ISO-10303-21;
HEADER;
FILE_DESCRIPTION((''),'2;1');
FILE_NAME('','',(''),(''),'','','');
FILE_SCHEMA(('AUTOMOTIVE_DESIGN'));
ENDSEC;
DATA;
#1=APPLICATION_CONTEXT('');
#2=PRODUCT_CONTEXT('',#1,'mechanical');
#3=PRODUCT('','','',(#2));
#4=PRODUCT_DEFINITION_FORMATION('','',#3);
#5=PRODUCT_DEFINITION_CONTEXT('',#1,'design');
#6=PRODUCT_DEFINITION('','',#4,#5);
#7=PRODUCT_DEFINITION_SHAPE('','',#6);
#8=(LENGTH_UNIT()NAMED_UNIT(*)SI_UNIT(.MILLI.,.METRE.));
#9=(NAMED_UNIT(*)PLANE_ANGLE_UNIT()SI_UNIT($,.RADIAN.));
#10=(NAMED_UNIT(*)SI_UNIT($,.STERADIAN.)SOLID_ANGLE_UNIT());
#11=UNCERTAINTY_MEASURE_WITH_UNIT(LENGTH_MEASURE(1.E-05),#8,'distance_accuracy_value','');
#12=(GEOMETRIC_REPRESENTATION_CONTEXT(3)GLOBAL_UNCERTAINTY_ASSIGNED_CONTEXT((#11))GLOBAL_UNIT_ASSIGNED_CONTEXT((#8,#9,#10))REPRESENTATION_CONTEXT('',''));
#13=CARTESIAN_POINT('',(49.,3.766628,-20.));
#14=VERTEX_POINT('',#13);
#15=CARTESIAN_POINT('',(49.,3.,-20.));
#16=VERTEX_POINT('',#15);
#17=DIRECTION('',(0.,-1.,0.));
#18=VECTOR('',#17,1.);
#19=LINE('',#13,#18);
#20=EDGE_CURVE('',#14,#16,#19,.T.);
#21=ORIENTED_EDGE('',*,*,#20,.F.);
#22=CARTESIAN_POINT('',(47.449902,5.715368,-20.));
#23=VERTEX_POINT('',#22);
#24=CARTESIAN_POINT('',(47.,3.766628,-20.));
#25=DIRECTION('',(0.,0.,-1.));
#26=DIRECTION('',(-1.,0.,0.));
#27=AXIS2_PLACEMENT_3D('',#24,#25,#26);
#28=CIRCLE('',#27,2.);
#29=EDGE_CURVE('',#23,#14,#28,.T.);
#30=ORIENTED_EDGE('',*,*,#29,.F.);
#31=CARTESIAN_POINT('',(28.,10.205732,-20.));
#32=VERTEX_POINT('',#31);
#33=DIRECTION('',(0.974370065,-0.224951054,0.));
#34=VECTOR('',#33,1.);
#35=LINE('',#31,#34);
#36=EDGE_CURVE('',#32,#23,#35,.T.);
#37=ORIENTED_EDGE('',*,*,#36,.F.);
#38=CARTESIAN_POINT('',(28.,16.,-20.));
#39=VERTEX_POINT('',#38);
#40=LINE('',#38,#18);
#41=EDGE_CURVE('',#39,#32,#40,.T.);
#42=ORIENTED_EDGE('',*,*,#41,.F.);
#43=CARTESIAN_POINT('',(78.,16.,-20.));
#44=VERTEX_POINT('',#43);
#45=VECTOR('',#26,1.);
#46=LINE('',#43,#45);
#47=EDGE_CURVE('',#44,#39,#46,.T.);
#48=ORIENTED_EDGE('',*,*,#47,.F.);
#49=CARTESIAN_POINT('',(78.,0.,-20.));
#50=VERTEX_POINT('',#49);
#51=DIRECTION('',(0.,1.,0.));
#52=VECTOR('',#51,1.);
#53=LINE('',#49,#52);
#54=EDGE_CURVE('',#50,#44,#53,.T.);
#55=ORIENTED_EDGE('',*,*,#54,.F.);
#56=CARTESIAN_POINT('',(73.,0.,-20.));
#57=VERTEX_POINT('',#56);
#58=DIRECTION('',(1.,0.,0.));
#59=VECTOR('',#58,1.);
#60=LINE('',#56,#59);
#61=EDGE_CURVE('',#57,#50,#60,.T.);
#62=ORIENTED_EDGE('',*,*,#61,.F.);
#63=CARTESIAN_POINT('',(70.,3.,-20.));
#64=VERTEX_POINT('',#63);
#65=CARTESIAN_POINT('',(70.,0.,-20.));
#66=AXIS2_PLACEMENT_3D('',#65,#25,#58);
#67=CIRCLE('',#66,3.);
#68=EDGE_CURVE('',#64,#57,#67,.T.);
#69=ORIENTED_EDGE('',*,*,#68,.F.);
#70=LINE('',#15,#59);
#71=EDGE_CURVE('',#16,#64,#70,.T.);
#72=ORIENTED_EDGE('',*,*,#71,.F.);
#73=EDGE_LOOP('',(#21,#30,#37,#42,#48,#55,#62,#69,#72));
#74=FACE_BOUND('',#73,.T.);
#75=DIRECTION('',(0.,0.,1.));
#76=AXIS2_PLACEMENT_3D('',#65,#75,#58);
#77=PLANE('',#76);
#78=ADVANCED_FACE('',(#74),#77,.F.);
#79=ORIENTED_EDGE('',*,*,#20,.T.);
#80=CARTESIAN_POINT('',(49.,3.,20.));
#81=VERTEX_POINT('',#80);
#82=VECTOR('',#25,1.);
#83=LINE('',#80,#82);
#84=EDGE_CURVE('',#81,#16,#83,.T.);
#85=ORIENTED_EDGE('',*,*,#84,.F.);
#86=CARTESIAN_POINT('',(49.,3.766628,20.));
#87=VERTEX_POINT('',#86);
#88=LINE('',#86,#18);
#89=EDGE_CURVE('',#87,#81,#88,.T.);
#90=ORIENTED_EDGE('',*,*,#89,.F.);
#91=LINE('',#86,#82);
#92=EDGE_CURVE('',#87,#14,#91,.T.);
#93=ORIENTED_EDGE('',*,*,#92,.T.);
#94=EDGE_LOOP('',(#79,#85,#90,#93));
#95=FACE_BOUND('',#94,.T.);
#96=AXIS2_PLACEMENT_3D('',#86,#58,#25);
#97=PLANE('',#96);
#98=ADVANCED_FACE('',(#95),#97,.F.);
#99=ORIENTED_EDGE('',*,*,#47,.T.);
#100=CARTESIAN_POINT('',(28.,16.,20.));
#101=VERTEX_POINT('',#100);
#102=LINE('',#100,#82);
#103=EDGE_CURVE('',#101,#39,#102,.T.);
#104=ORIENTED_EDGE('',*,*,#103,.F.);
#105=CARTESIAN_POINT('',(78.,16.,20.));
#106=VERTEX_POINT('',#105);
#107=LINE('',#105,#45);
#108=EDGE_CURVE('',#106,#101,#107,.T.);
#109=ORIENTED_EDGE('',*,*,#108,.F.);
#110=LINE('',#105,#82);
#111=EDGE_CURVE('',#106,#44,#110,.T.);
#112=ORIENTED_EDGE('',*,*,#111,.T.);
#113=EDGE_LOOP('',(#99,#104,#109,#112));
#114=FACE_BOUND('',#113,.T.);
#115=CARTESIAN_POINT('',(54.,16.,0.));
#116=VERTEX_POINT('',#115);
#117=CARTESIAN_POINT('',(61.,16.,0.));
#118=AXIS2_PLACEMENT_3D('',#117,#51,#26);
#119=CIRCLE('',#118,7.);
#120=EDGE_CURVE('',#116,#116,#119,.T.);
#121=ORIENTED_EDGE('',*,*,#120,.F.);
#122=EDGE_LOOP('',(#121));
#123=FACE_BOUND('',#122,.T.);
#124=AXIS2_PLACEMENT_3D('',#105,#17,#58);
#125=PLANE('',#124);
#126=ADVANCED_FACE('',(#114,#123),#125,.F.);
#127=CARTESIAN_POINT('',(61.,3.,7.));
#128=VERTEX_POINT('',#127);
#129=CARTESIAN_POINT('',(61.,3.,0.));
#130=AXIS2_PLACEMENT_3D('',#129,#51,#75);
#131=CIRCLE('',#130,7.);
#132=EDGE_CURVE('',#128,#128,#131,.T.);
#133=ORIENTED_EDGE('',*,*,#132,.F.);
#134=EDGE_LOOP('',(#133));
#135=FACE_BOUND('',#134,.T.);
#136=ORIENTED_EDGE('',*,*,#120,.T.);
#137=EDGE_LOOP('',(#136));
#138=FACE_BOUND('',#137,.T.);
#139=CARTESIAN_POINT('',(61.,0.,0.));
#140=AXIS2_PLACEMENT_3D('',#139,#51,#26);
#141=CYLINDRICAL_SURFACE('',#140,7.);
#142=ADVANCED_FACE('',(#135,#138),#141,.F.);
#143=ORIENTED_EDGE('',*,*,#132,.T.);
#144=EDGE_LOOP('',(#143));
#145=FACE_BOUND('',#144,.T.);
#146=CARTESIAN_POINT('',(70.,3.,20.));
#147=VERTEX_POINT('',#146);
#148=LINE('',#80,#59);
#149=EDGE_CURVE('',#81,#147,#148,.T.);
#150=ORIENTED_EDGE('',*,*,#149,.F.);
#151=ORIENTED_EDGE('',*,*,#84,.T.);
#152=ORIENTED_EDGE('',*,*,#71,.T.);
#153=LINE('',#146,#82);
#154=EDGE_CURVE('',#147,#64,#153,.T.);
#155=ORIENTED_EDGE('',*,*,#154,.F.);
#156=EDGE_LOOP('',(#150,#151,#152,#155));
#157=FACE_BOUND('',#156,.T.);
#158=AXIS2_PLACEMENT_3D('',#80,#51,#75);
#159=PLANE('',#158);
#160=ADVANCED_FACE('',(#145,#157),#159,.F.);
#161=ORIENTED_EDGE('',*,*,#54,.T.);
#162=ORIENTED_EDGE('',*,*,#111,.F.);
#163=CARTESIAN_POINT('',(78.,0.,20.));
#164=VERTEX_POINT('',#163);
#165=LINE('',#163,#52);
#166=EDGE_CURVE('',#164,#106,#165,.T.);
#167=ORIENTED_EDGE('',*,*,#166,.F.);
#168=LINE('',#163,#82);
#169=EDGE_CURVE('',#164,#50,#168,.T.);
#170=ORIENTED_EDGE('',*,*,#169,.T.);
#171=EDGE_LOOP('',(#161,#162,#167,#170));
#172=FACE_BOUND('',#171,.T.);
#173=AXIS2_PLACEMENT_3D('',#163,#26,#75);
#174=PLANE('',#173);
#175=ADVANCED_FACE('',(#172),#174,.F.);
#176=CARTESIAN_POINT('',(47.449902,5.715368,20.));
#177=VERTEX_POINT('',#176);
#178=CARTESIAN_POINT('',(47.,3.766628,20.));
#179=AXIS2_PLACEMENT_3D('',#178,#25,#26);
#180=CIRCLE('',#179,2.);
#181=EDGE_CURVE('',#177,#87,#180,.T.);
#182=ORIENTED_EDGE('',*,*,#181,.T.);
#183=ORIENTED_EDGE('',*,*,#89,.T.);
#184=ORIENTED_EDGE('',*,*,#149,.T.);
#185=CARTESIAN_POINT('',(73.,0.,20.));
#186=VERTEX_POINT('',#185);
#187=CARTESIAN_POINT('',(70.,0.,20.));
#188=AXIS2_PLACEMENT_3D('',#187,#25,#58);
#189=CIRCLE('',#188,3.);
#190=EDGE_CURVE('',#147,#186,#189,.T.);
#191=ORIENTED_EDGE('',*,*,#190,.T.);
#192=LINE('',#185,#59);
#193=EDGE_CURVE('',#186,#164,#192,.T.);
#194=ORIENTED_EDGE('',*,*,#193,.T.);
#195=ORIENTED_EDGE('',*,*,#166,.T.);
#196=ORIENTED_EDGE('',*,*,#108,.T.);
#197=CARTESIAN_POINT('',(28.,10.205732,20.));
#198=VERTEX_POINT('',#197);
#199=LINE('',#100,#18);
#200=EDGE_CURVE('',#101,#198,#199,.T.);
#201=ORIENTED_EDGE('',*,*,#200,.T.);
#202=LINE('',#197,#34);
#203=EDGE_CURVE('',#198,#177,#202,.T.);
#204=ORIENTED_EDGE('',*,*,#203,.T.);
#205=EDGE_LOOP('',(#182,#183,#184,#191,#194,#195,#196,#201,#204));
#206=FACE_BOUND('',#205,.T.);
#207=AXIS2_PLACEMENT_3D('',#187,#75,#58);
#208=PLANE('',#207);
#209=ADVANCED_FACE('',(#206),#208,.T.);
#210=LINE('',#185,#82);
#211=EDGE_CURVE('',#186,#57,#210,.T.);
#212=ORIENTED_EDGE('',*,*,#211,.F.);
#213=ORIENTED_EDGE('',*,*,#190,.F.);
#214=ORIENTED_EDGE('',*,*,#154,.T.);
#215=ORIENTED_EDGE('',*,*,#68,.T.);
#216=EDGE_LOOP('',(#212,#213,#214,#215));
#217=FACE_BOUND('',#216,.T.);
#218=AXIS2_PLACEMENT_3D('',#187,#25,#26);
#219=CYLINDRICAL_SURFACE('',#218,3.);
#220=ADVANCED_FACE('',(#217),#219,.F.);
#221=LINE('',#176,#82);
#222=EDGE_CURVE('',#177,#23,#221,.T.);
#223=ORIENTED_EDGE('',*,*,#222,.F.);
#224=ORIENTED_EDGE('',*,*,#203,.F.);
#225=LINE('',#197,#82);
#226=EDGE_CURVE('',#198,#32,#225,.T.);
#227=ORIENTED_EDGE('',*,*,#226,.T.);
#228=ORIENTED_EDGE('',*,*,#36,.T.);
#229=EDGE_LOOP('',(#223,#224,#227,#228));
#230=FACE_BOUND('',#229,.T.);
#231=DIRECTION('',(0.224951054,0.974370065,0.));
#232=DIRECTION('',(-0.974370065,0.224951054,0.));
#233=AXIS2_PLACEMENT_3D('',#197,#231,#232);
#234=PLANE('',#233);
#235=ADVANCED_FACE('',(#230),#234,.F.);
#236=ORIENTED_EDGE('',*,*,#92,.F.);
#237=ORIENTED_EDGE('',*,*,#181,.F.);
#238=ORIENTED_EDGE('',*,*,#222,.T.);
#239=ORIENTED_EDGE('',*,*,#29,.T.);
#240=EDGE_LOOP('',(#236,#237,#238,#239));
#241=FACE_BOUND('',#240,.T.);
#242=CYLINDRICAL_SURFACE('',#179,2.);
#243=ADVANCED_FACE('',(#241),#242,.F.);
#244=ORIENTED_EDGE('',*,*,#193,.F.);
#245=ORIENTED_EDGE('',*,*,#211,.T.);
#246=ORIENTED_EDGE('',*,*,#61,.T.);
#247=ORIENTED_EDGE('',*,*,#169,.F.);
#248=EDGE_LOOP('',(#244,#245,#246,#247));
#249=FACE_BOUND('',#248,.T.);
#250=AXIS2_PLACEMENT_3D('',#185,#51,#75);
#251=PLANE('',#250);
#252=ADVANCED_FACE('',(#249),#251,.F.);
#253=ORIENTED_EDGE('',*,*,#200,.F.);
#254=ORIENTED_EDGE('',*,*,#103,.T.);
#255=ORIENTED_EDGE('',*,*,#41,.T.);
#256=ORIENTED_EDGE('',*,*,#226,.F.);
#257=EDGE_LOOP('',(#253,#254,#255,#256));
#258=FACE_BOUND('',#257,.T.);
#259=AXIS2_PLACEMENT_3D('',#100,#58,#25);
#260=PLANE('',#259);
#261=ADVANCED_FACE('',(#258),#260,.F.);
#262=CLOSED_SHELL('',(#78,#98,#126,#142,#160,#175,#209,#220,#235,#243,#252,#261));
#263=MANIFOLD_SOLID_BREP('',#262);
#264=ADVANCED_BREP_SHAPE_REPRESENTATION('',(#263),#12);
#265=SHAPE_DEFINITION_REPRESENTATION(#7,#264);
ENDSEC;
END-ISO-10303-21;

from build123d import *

# Parameters (mm, degrees)
EXTRUDE_1_DEPTH     = 20
SKETCH_2_R          = 7
CUT_EXTRUDE_1_DEPTH = 83.097503007


with BuildPart() as part:
    # ｽｹｯﾁ1 → ﾎﾞｽ - 押し出し1 (new, symmetric)
    with BuildSketch(Plane.XY):
        with BuildLine():
            Line((73, 0), (78, 0))
            Line((78, 0), (78, 16))
            Line((78, 16), (28, 16))
            Line((28, 16), (28, 10.205732014))
            Line((28, 10.205732014), (47.449902109, 5.715368296))
            ThreePointArc((47.449902109, 5.715368296), (48.565216314, 5.01165744), (49, 3.766628167))
            Line((49, 3.766628167), (49, 3))
            Line((49, 3), (70, 3))
            ThreePointArc((70, 3), (72.121320344, 2.121320344), (73, 0))
        make_face()
    extrude(amount=EXTRUDE_1_DEPTH, both=True)

    # ｽｹｯﾁ2 → ｶｯﾄ - 押し出し1 (cut, through all)
    with BuildSketch(Plane(origin=(0, 16, 0), x_dir=(1, 0, 0), z_dir=(0, 1, 0))):
        with Locations(Location((61, 0, 0), (0, 0, 180))):
            Circle(SKETCH_2_R)
    extrude(amount=-CUT_EXTRUDE_1_DEPTH, mode=Mode.SUBTRACT)


solid = part.part
